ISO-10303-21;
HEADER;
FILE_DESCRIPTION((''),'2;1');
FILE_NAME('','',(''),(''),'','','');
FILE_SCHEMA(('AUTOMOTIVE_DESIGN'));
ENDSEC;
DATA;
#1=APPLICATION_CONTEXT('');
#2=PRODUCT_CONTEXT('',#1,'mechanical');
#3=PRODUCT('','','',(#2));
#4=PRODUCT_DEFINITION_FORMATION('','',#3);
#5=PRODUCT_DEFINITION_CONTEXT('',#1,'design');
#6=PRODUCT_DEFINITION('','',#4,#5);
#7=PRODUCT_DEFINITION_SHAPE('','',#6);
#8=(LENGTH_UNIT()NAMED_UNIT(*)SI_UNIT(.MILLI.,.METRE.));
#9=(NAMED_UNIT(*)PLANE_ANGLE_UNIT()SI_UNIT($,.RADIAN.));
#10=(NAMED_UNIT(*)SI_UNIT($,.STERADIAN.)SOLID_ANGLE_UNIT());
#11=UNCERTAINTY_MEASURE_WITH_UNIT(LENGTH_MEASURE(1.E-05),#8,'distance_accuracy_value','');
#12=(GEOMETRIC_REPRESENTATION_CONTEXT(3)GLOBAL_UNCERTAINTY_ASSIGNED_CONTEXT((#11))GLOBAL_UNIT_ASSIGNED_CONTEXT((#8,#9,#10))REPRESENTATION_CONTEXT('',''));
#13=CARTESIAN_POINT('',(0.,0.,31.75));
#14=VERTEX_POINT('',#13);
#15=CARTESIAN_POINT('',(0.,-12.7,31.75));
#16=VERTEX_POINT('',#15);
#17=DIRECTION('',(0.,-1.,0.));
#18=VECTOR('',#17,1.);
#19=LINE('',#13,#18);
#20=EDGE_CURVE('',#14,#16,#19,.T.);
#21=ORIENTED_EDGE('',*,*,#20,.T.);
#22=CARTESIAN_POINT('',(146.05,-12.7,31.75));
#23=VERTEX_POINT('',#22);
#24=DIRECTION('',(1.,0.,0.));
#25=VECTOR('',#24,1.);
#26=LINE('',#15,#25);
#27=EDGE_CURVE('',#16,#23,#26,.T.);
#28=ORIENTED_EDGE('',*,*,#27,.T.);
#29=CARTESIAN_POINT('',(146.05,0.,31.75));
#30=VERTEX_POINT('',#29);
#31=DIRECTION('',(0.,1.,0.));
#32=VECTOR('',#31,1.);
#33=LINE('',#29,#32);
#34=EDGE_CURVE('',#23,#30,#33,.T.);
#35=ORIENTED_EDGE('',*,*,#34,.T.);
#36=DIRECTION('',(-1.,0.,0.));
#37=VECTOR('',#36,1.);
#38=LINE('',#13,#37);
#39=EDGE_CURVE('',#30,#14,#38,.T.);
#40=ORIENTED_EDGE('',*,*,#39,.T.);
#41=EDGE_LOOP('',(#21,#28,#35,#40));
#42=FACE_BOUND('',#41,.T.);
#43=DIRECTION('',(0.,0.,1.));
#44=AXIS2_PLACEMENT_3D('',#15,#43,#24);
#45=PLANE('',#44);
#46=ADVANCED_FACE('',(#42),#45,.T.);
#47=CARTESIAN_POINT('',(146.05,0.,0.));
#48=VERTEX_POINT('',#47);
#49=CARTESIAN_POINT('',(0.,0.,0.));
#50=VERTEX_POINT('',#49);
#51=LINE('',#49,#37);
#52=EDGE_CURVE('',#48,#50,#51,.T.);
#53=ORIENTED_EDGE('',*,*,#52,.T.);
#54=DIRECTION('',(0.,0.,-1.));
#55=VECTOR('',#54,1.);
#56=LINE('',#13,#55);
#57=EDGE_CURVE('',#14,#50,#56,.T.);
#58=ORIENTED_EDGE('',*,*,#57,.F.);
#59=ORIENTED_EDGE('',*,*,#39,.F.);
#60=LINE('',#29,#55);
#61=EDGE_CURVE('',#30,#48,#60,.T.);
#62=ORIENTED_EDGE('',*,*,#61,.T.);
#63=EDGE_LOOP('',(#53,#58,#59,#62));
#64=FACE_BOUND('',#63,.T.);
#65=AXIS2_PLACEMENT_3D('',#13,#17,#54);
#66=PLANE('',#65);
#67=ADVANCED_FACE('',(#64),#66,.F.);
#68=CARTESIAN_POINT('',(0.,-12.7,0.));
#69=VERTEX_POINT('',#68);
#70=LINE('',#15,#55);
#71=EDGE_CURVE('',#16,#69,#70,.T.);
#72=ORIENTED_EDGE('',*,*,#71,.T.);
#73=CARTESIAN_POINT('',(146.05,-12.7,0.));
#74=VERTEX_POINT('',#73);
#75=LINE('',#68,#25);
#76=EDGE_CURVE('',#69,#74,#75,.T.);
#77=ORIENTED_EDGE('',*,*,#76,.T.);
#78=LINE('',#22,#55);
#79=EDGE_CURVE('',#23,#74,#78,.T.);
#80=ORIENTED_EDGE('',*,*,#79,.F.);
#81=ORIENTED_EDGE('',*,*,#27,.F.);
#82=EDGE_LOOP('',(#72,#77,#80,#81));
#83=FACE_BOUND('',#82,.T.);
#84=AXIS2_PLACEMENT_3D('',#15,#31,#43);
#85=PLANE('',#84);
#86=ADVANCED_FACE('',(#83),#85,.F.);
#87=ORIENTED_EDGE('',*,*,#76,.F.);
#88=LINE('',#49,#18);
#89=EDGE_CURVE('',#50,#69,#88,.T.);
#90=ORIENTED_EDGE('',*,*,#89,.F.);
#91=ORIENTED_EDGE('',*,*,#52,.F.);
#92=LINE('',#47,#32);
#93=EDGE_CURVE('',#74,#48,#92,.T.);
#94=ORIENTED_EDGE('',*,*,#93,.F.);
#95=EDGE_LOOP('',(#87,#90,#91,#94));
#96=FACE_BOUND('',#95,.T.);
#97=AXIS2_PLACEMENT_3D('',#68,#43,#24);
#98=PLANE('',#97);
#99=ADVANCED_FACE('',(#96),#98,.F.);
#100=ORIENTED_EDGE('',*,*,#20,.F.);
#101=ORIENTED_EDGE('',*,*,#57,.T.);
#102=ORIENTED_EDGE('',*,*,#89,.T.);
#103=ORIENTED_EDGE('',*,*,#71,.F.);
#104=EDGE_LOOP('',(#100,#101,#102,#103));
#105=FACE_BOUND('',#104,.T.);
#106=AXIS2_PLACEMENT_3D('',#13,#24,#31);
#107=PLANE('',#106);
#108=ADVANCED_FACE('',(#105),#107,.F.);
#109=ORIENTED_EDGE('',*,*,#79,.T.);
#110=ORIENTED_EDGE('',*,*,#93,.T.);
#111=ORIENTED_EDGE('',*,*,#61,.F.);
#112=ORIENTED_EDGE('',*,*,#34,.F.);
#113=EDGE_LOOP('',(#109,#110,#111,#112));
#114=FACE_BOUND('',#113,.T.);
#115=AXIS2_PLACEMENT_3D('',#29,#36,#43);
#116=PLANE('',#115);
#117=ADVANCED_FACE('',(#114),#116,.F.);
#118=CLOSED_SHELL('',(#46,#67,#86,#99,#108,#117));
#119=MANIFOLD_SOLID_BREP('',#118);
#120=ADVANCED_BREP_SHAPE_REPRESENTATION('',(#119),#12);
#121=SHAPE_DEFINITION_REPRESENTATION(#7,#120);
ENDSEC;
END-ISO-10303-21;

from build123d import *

# Parameters (mm, degrees)
SKETCH1_W      = 146.05
SKETCH1_H      = 12.7
EXTRUDE1_DEPTH = 31.75


with BuildPart() as part:
    # Sketch1 → Extrude1 (new body)
    with BuildSketch(Plane.XY):
        with Locations((73.025, -6.35)):
            Rectangle(SKETCH1_W, SKETCH1_H)
    extrude(amount=EXTRUDE1_DEPTH)


solid = part.part
